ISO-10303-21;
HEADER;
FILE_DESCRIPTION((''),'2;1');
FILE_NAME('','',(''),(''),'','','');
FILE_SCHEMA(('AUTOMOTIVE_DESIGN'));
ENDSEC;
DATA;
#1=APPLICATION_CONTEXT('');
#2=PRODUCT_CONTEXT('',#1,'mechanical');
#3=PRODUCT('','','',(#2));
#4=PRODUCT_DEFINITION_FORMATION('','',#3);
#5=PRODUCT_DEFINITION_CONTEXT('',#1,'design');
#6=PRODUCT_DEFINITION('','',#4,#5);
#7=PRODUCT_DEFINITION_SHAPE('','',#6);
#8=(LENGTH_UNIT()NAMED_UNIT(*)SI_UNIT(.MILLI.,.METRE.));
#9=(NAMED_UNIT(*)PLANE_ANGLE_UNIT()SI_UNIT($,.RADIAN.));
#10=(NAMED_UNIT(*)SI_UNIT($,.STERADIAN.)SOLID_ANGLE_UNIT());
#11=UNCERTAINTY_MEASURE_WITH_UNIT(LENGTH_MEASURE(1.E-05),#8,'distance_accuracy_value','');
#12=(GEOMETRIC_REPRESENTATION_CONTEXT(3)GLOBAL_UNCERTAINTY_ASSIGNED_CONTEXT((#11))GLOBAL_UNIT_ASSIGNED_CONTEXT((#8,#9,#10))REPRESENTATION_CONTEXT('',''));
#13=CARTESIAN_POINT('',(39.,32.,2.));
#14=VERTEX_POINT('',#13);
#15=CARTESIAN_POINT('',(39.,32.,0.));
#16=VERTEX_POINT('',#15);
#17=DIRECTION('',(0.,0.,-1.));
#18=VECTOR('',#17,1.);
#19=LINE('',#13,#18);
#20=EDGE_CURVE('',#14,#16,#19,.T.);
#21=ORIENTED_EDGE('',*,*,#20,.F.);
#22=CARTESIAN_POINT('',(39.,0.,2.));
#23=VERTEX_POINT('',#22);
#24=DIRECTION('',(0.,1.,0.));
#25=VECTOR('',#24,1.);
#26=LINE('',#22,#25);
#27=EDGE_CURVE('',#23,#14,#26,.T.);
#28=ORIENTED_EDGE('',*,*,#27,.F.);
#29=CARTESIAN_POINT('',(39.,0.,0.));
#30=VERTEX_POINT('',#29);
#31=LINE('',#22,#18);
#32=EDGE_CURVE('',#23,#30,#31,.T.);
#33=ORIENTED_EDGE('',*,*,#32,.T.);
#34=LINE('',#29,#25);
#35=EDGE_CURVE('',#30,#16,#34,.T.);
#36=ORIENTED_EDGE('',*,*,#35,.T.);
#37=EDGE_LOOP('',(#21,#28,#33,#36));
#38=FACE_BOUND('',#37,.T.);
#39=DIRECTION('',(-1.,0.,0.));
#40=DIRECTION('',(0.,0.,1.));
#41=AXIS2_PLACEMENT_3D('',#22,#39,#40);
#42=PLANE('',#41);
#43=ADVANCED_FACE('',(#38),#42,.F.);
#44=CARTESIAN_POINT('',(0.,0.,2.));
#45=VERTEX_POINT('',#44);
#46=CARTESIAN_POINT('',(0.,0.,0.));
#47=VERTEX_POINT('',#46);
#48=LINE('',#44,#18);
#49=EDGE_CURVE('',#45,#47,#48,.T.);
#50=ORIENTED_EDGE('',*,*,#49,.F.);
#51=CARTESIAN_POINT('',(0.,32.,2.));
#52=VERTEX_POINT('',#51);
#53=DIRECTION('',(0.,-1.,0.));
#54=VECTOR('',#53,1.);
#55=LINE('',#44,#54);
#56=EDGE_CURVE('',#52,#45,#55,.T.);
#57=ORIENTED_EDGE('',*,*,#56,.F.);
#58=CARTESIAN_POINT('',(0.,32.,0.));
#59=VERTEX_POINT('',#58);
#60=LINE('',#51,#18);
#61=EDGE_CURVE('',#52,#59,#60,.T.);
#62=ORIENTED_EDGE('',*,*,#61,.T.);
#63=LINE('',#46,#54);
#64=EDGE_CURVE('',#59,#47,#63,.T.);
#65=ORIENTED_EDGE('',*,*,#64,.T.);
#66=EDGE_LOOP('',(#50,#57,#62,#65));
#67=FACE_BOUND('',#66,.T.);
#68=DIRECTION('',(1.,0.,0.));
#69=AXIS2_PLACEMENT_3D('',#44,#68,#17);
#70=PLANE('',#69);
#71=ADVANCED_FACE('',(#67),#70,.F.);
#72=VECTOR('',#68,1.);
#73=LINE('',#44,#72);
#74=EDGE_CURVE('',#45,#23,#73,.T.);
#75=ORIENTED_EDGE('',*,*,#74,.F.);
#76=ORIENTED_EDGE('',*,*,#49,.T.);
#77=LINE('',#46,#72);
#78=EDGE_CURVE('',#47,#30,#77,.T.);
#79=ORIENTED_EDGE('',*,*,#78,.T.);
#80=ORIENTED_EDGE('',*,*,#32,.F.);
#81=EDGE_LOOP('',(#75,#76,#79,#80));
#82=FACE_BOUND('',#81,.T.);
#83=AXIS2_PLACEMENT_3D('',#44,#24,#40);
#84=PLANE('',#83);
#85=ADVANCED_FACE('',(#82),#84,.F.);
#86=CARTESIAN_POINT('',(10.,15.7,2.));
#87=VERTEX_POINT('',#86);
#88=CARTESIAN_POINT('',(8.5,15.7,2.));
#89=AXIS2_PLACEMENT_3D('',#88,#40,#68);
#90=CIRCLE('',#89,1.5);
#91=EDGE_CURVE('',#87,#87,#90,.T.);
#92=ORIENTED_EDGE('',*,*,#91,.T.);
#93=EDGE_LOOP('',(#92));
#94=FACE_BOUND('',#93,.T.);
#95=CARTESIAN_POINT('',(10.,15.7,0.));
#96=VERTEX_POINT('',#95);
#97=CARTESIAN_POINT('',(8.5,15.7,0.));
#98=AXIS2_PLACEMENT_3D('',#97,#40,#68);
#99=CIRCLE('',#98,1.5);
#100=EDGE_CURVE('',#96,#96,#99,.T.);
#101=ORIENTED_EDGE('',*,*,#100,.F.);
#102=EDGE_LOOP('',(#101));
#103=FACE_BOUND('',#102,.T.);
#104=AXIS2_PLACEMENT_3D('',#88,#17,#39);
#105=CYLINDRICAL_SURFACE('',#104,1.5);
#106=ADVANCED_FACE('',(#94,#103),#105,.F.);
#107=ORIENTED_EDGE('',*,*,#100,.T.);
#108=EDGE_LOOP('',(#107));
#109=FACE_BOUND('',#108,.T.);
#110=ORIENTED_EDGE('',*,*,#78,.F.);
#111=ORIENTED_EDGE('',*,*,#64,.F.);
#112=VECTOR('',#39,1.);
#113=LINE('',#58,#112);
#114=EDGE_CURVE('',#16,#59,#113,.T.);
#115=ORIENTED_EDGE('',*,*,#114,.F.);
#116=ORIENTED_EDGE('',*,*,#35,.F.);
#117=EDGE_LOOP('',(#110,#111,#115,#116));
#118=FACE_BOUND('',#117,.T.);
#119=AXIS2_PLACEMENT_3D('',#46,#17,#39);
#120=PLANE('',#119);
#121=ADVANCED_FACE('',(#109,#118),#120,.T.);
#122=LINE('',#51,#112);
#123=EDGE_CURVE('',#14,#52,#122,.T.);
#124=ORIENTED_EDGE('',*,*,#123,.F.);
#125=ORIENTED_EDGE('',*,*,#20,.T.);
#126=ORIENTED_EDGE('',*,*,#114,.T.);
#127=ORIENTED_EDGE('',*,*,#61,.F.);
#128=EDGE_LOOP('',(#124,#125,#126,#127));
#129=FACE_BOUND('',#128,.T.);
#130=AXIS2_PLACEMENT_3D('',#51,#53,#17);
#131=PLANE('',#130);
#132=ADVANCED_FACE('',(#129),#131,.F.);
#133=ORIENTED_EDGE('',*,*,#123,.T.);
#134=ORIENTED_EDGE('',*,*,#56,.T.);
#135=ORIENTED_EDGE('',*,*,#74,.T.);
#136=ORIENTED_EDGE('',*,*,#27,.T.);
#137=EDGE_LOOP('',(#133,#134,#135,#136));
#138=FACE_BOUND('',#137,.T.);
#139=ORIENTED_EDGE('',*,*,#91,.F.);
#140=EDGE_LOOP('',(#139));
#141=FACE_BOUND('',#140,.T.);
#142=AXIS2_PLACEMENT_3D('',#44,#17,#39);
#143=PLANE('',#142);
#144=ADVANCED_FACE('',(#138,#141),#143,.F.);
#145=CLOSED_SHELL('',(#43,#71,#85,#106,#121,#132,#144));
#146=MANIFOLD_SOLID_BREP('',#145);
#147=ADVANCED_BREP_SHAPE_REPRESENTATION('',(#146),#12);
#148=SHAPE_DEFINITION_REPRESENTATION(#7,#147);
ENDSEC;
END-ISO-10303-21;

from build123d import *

# Parameters (mm, degrees)
SKETCH1_W           = 39
SKETCH1_H           = 32
SKETCH1_R           = 1.5
BOSS_EXTRUDE1_DEPTH = 2


with BuildPart() as part:
    # Sketch1 → Boss-Extrude1 (new body)
    with BuildSketch(Plane.XY):
        with Locations((19.5, 16)):
            Rectangle(SKETCH1_W, SKETCH1_H)
        with Locations((8.5, 15.7)):
            Circle(SKETCH1_R, mode=Mode.SUBTRACT)
    extrude(amount=BOSS_EXTRUDE1_DEPTH)


solid = part.part
